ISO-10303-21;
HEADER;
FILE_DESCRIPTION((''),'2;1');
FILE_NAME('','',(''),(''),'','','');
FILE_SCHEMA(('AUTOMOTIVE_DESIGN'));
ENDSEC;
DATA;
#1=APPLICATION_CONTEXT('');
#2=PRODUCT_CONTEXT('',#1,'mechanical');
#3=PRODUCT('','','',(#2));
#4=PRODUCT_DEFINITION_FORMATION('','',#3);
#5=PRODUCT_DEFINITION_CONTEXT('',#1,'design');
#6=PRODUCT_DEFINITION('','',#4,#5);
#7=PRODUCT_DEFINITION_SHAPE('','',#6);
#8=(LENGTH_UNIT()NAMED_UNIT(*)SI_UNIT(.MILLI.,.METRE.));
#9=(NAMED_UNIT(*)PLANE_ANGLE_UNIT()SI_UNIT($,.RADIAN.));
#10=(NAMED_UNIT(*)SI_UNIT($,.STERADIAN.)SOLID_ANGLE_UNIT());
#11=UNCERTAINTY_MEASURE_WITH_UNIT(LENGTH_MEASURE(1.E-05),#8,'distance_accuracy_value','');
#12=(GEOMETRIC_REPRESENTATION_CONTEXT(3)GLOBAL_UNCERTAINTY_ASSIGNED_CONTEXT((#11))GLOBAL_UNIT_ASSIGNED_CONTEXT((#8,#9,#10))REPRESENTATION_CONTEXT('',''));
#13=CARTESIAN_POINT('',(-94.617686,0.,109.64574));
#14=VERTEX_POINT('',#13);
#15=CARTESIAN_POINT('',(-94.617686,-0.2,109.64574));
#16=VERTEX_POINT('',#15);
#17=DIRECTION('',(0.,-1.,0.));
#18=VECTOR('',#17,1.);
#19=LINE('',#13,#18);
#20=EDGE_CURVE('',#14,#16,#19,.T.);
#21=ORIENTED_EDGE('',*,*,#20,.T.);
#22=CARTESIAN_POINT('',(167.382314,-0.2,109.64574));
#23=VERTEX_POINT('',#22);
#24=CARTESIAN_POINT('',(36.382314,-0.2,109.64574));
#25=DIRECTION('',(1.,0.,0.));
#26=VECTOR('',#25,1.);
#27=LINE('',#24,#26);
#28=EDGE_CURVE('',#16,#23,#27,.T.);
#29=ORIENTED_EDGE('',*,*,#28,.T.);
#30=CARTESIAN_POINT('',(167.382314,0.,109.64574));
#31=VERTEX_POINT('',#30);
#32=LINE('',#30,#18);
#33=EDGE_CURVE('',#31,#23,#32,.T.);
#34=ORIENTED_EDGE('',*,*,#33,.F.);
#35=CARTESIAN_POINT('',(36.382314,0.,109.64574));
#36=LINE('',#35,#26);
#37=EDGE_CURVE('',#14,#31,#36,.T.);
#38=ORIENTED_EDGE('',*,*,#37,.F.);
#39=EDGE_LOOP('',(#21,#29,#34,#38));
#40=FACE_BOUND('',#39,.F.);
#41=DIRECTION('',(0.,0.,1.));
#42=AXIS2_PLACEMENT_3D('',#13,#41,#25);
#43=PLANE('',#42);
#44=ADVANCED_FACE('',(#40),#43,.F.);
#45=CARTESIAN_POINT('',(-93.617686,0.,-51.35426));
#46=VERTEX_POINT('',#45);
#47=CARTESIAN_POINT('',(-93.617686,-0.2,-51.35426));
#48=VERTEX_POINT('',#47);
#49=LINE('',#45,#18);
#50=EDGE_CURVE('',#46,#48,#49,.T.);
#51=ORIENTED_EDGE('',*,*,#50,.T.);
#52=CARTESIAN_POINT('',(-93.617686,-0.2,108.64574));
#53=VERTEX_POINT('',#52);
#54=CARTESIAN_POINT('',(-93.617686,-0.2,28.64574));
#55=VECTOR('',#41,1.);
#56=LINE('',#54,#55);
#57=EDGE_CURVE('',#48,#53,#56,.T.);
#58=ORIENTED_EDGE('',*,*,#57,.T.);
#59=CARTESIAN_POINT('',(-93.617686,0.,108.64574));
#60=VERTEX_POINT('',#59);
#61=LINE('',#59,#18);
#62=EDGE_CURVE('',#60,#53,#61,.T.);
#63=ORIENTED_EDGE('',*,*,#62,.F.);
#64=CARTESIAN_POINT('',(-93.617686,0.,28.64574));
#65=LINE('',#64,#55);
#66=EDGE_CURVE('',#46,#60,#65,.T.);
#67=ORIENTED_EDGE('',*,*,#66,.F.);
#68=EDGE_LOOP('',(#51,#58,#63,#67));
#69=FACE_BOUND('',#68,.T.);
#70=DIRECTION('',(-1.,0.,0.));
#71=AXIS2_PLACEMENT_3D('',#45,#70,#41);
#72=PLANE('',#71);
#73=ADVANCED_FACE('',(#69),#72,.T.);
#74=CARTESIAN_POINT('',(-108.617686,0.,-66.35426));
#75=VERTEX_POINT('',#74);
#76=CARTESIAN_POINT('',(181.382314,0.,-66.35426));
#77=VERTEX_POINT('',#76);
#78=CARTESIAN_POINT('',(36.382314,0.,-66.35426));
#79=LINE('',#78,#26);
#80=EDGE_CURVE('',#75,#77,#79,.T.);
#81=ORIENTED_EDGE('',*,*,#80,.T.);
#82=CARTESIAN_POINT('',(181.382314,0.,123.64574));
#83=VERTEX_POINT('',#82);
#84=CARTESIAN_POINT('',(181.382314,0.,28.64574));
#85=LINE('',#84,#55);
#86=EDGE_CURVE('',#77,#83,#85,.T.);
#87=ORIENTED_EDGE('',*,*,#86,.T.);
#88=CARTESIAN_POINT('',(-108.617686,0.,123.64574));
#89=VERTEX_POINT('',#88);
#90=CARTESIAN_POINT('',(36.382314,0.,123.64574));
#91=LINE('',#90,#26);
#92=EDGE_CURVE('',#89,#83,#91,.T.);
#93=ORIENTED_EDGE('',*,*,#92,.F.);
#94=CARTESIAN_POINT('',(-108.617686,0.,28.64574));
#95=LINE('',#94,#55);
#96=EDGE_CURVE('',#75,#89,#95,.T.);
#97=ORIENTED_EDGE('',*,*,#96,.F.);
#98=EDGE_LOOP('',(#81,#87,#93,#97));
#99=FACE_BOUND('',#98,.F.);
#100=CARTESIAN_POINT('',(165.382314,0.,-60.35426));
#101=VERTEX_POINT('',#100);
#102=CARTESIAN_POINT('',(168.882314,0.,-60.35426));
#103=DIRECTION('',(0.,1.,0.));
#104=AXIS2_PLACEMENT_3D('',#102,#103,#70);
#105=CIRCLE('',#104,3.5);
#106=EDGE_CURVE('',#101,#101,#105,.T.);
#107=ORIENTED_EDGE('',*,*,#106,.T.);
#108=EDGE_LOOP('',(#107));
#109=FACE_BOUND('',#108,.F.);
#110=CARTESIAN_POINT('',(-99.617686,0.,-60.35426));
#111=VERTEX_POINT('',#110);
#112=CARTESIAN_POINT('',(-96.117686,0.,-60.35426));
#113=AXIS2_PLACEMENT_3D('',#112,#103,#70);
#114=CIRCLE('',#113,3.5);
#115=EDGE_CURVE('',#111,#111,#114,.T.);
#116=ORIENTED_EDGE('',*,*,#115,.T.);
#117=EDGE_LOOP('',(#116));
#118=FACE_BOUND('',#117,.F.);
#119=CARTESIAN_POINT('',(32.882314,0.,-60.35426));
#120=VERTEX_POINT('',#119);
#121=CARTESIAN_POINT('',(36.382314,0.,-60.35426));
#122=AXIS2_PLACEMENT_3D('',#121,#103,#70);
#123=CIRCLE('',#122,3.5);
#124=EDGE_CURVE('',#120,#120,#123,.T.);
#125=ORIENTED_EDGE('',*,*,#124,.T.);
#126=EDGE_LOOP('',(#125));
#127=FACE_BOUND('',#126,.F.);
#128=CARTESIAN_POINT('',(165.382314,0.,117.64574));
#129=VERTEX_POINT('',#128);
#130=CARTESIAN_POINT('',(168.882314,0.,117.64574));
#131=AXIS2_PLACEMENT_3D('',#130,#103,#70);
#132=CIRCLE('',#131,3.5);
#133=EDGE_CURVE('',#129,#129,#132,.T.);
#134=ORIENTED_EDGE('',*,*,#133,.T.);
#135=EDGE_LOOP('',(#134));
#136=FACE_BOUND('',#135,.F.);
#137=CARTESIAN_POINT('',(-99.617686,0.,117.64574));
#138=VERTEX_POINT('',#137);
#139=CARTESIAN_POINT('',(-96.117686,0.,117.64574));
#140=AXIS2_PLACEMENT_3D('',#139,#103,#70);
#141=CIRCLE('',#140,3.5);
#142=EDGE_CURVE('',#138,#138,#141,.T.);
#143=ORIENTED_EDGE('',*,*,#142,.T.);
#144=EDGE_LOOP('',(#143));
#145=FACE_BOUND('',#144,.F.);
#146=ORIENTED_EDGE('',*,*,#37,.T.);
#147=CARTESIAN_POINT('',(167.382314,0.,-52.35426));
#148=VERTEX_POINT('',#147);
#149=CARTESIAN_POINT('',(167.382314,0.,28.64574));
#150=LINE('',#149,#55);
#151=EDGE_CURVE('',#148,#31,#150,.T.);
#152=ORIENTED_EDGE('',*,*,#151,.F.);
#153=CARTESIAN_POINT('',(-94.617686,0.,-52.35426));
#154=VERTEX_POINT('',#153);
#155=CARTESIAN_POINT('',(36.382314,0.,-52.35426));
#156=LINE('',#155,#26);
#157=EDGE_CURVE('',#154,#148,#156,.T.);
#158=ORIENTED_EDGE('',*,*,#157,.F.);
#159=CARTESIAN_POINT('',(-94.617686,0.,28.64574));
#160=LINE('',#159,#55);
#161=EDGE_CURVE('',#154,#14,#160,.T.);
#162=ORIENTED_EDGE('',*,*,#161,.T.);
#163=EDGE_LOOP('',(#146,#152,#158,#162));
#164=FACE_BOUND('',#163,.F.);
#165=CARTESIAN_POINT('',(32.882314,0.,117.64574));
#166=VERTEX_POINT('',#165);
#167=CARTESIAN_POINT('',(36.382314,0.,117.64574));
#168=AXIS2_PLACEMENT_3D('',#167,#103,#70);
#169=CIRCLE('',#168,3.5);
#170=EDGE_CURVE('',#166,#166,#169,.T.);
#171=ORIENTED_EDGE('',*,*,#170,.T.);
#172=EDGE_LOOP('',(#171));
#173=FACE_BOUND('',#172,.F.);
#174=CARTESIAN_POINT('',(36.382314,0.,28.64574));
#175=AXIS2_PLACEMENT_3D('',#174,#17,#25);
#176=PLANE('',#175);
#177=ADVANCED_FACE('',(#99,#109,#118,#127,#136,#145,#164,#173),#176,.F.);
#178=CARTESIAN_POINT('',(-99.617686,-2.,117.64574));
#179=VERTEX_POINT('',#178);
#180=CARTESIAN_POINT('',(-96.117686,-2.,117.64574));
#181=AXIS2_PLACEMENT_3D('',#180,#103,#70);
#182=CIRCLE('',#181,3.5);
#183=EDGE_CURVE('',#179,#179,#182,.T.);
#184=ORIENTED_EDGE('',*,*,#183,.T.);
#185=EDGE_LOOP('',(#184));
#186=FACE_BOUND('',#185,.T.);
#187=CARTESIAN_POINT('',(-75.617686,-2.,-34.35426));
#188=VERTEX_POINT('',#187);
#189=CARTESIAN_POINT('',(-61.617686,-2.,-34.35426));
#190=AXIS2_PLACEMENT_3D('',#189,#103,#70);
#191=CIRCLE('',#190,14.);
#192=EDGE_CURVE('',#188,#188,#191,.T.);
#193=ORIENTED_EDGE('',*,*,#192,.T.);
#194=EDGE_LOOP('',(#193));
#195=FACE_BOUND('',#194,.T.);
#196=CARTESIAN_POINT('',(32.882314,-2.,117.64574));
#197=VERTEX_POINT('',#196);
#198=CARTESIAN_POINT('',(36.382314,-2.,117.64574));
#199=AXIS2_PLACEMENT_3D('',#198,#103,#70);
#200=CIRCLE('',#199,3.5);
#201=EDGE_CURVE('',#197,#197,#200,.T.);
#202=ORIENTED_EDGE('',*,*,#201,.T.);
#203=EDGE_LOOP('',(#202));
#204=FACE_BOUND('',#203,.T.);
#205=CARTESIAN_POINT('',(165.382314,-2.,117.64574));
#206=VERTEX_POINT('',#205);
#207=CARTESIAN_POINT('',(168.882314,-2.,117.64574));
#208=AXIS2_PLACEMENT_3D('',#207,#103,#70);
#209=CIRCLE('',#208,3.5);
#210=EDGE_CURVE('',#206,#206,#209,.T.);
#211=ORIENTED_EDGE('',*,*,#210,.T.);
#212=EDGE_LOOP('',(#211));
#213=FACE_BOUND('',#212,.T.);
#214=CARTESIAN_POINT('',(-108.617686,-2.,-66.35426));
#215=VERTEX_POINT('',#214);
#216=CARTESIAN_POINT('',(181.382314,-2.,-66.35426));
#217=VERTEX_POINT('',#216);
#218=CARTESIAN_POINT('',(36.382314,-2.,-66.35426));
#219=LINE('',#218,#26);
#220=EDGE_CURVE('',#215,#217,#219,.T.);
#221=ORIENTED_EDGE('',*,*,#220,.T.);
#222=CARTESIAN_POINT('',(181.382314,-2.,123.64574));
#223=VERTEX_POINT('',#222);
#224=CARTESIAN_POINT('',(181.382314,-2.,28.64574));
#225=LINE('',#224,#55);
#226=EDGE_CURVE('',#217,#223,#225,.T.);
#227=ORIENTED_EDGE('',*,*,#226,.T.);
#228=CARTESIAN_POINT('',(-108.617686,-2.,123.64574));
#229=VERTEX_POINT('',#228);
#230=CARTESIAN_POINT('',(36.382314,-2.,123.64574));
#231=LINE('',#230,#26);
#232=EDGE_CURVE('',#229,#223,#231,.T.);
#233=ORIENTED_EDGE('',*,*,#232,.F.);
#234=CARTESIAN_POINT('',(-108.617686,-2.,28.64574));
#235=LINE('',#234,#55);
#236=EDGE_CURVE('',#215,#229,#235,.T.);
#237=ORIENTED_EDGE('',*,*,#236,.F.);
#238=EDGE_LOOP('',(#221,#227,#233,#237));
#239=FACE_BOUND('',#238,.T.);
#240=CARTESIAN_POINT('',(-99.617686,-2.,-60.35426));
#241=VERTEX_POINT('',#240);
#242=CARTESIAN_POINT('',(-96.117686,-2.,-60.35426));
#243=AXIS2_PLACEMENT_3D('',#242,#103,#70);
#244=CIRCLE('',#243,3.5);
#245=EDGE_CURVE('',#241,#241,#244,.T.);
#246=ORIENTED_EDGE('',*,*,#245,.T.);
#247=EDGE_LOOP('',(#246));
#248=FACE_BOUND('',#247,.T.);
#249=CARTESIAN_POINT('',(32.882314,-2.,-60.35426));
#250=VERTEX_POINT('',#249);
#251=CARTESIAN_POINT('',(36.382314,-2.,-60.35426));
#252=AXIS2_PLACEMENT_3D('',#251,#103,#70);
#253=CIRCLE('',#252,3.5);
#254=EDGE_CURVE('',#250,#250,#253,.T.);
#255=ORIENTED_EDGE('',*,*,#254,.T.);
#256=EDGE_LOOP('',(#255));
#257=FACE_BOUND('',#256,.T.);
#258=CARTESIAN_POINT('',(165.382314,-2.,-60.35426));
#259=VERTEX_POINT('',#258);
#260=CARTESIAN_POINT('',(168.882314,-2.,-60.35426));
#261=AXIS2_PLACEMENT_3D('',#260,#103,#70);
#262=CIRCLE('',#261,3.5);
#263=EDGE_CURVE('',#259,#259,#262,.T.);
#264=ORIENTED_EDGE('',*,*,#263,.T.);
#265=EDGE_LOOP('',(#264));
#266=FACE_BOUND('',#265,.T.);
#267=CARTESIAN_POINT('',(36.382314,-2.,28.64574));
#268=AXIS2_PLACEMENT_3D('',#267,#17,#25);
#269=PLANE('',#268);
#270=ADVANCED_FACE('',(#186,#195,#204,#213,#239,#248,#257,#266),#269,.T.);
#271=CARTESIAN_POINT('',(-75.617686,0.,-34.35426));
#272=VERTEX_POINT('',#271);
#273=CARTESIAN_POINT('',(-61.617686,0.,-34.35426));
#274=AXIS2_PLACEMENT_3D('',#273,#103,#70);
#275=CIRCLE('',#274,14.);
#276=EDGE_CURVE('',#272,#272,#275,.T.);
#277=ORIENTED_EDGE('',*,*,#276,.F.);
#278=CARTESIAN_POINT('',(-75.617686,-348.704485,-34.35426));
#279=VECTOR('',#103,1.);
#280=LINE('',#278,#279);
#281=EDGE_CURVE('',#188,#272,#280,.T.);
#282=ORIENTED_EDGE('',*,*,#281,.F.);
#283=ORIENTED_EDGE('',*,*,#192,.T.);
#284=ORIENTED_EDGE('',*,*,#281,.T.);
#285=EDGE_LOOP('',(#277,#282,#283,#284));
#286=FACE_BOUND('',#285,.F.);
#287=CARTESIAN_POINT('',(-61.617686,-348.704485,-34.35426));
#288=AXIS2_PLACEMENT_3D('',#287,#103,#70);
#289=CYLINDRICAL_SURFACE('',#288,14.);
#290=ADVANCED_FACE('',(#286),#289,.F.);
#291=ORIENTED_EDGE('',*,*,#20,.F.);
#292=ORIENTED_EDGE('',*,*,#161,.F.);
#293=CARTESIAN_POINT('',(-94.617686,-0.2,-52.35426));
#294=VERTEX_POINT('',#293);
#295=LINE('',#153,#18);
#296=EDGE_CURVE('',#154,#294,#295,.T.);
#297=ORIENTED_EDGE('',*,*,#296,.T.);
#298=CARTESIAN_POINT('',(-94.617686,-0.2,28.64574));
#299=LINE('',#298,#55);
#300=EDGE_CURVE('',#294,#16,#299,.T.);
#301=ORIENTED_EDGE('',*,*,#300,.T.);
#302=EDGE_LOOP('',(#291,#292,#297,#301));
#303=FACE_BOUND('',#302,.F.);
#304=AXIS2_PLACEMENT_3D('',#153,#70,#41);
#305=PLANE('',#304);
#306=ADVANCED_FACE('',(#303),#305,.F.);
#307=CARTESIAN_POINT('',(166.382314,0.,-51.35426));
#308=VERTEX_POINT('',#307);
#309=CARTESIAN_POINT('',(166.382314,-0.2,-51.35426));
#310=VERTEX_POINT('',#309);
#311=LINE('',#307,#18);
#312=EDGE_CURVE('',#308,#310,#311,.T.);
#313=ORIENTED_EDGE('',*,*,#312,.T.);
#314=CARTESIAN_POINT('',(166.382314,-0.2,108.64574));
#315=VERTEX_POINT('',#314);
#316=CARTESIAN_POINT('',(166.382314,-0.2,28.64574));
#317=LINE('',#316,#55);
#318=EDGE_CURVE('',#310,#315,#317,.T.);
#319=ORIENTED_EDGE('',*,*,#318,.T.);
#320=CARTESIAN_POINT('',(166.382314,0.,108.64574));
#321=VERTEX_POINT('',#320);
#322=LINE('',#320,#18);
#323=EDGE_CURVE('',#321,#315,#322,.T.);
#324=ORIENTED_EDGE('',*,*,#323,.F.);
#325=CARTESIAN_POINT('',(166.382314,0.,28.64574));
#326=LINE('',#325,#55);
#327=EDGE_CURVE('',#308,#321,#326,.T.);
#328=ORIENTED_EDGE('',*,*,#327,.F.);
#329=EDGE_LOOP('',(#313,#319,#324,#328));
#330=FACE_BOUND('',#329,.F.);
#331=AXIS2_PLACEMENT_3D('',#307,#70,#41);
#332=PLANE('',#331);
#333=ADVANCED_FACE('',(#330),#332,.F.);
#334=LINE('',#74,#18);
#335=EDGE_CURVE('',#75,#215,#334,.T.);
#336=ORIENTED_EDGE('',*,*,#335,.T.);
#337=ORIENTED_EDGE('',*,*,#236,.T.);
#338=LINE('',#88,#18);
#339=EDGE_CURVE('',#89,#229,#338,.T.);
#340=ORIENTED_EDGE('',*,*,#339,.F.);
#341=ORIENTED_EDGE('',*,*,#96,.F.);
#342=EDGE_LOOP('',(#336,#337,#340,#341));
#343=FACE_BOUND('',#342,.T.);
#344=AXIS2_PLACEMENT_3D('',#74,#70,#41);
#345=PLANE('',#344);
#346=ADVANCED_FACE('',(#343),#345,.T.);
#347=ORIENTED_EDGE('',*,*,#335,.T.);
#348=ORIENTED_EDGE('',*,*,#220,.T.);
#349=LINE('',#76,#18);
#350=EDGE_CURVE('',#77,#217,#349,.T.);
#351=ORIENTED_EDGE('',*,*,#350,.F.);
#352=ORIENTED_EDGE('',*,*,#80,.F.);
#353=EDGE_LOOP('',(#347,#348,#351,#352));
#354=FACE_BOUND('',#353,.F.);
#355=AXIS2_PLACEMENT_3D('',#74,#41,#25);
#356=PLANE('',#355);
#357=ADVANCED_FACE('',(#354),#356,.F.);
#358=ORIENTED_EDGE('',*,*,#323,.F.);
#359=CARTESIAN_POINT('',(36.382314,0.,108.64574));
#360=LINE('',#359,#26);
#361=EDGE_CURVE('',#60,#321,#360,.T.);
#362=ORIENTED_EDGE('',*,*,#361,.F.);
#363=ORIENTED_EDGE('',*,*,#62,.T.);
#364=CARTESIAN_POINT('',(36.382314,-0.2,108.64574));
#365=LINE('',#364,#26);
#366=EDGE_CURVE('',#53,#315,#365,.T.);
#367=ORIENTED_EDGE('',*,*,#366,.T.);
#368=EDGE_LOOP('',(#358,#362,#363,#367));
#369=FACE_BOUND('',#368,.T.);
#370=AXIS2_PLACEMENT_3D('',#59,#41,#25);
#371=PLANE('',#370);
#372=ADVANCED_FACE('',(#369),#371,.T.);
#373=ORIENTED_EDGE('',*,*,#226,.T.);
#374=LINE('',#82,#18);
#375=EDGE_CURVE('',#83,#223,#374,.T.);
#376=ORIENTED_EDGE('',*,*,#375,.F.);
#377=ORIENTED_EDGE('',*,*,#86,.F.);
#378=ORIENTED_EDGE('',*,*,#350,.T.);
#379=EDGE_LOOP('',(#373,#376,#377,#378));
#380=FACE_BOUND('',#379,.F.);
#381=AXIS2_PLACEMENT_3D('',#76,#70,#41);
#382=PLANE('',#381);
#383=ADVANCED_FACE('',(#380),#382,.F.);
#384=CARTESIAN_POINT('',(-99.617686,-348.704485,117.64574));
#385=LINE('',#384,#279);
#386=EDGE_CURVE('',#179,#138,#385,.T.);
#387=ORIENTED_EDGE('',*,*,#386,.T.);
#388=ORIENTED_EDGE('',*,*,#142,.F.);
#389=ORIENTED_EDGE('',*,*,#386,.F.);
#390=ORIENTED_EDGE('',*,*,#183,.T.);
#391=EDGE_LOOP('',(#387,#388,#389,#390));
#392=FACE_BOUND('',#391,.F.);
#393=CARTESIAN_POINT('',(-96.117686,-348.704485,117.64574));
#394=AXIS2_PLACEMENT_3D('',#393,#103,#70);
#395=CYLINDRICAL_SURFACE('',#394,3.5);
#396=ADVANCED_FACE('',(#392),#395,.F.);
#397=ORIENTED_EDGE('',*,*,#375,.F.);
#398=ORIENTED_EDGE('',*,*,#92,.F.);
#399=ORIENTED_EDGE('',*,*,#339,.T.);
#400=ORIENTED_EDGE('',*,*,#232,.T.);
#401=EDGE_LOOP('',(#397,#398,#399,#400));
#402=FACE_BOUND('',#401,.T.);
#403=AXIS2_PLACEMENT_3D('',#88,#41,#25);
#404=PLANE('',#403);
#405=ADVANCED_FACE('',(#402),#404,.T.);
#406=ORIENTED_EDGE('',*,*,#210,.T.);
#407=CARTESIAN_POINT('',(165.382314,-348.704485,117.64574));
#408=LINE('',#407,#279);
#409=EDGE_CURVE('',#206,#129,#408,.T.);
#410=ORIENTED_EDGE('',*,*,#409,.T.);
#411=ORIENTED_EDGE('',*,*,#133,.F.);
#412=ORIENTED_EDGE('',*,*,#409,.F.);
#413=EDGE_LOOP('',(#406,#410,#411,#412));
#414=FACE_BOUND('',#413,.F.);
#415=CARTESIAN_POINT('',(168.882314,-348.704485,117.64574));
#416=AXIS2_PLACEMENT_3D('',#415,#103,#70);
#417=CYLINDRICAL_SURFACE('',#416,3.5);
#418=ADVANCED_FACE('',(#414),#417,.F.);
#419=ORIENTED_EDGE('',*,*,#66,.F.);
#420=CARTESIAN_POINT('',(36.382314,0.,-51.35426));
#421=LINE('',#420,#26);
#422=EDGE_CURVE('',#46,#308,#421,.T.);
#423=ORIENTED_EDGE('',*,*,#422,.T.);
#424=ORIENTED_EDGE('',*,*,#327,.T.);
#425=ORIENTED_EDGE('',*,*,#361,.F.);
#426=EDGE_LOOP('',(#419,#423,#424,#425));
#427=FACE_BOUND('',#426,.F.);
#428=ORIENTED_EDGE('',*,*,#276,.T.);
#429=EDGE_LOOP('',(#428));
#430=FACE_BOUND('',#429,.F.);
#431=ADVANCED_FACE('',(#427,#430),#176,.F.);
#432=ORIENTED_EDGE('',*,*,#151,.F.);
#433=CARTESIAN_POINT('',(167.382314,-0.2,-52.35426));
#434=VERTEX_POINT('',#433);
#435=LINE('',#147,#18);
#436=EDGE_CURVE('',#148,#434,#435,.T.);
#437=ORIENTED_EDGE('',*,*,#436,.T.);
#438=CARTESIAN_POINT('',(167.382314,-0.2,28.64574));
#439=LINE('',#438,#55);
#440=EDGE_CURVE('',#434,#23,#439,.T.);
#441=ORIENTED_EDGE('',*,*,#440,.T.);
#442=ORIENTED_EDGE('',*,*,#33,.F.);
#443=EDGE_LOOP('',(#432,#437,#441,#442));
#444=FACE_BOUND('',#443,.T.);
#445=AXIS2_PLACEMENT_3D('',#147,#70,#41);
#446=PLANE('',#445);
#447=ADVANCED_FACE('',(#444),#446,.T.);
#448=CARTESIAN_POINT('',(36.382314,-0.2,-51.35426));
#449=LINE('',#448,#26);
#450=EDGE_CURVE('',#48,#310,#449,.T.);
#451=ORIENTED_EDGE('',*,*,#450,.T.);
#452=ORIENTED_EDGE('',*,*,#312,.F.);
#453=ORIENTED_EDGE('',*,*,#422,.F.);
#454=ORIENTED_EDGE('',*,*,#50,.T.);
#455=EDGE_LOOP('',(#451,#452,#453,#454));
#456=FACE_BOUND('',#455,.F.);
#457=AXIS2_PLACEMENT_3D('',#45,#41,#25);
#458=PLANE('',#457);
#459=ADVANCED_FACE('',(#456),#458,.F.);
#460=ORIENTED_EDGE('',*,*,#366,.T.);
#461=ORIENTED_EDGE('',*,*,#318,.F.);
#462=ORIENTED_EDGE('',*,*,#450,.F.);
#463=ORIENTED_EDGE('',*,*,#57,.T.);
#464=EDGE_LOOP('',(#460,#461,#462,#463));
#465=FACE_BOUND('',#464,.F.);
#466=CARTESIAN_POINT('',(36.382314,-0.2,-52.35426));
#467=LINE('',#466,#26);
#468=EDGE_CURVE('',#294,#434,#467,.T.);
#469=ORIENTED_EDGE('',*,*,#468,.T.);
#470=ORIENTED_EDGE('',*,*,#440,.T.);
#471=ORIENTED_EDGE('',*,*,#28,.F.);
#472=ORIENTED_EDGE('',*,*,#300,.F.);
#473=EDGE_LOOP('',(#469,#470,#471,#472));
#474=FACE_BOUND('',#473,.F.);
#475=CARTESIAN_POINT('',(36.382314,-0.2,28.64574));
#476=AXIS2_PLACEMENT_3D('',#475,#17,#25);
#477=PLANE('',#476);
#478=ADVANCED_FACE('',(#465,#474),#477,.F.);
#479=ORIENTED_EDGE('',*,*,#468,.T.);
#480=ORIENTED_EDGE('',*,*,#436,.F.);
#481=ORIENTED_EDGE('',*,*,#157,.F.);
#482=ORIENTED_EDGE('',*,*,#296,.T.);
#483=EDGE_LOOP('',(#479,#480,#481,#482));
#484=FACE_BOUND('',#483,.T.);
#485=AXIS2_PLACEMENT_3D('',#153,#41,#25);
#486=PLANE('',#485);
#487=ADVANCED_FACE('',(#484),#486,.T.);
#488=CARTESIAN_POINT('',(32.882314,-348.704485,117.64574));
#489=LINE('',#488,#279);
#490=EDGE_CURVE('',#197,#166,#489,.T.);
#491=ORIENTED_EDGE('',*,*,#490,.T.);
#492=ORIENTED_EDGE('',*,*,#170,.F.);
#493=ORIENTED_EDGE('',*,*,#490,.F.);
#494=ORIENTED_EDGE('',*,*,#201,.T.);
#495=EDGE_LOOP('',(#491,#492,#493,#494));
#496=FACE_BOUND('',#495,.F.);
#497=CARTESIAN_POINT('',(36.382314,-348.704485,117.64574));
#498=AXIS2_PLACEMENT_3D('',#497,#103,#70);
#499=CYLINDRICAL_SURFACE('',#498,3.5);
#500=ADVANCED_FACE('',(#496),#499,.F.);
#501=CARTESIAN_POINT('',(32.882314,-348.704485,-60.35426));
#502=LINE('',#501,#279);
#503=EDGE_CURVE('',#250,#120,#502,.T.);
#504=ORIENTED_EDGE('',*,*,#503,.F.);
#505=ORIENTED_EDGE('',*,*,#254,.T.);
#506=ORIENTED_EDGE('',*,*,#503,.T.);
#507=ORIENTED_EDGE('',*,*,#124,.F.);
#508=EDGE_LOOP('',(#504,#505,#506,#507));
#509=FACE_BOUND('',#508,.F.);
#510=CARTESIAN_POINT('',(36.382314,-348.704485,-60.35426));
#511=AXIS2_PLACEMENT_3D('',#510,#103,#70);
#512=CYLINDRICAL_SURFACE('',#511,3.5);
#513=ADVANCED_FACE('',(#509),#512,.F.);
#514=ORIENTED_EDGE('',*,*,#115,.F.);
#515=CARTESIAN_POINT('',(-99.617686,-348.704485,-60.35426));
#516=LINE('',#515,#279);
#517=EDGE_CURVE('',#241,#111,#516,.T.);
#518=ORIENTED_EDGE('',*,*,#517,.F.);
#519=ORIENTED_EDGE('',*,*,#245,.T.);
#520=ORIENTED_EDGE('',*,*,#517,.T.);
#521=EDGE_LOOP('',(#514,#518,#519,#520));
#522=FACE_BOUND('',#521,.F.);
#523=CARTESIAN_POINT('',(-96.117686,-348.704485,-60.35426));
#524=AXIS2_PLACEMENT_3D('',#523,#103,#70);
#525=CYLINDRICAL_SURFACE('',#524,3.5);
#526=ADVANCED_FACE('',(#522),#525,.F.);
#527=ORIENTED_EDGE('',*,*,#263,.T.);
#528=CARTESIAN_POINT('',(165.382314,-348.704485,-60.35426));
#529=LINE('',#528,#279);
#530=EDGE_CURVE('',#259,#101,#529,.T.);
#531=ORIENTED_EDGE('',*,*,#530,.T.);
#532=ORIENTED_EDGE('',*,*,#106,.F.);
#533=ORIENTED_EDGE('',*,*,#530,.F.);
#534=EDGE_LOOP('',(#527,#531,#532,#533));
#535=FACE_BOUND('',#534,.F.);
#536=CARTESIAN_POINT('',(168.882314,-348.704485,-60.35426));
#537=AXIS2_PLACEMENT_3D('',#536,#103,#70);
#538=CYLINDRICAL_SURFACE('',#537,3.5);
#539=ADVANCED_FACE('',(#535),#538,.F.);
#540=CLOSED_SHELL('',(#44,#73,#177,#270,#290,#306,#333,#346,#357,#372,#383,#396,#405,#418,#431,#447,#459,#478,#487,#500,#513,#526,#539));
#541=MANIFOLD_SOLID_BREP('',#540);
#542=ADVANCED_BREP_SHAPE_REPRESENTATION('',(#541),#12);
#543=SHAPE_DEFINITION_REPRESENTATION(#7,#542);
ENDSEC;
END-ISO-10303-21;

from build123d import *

# Parameters (mm, degrees)
F0_W     = 290
F0_H     = 190
F1_DEPTH = 2
F3_D     = 7
F4_W     = 262
F4_H     = 162
F4_W_2   = 260
F4_H_2   = 160
F5_DEPTH = 0.2
F7_D     = 28


with BuildPart() as f1:
    # F0 (on Front) → F1 (new body)
    with BuildSketch(Plane.XZ):
        with Locations((36.382314, 28.64574)):
            Rectangle(F0_W, F0_H)
    extrude(amount=F1_DEPTH)

    # F3 (through all)
    with Locations(Plane.XZ.offset(2)):
        with Locations((-96.117686, 117.64574), (36.382314, 117.64574), (168.882314, 117.64574), (168.882314, -60.35426), (36.382314, -60.35426), (-96.117686, -60.35426)):
            Hole(F3_D / 2)

    # F4 (on face) → F5 (cut)
    with BuildSketch(Plane.XZ):
        with Locations((36.382314, 28.64574)):
            Rectangle(F4_W, F4_H)
        with Locations((36.382314, 28.64574)):
            Rectangle(F4_W_2, F4_H_2, mode=Mode.SUBTRACT)
    extrude(amount=F5_DEPTH, mode=Mode.SUBTRACT)

    # F7 (through all)
    with Locations(Plane.XZ.offset(2)):
        with Locations((-61.617686, -34.35426)):
            Hole(F7_D / 2)


solid = f1.part
